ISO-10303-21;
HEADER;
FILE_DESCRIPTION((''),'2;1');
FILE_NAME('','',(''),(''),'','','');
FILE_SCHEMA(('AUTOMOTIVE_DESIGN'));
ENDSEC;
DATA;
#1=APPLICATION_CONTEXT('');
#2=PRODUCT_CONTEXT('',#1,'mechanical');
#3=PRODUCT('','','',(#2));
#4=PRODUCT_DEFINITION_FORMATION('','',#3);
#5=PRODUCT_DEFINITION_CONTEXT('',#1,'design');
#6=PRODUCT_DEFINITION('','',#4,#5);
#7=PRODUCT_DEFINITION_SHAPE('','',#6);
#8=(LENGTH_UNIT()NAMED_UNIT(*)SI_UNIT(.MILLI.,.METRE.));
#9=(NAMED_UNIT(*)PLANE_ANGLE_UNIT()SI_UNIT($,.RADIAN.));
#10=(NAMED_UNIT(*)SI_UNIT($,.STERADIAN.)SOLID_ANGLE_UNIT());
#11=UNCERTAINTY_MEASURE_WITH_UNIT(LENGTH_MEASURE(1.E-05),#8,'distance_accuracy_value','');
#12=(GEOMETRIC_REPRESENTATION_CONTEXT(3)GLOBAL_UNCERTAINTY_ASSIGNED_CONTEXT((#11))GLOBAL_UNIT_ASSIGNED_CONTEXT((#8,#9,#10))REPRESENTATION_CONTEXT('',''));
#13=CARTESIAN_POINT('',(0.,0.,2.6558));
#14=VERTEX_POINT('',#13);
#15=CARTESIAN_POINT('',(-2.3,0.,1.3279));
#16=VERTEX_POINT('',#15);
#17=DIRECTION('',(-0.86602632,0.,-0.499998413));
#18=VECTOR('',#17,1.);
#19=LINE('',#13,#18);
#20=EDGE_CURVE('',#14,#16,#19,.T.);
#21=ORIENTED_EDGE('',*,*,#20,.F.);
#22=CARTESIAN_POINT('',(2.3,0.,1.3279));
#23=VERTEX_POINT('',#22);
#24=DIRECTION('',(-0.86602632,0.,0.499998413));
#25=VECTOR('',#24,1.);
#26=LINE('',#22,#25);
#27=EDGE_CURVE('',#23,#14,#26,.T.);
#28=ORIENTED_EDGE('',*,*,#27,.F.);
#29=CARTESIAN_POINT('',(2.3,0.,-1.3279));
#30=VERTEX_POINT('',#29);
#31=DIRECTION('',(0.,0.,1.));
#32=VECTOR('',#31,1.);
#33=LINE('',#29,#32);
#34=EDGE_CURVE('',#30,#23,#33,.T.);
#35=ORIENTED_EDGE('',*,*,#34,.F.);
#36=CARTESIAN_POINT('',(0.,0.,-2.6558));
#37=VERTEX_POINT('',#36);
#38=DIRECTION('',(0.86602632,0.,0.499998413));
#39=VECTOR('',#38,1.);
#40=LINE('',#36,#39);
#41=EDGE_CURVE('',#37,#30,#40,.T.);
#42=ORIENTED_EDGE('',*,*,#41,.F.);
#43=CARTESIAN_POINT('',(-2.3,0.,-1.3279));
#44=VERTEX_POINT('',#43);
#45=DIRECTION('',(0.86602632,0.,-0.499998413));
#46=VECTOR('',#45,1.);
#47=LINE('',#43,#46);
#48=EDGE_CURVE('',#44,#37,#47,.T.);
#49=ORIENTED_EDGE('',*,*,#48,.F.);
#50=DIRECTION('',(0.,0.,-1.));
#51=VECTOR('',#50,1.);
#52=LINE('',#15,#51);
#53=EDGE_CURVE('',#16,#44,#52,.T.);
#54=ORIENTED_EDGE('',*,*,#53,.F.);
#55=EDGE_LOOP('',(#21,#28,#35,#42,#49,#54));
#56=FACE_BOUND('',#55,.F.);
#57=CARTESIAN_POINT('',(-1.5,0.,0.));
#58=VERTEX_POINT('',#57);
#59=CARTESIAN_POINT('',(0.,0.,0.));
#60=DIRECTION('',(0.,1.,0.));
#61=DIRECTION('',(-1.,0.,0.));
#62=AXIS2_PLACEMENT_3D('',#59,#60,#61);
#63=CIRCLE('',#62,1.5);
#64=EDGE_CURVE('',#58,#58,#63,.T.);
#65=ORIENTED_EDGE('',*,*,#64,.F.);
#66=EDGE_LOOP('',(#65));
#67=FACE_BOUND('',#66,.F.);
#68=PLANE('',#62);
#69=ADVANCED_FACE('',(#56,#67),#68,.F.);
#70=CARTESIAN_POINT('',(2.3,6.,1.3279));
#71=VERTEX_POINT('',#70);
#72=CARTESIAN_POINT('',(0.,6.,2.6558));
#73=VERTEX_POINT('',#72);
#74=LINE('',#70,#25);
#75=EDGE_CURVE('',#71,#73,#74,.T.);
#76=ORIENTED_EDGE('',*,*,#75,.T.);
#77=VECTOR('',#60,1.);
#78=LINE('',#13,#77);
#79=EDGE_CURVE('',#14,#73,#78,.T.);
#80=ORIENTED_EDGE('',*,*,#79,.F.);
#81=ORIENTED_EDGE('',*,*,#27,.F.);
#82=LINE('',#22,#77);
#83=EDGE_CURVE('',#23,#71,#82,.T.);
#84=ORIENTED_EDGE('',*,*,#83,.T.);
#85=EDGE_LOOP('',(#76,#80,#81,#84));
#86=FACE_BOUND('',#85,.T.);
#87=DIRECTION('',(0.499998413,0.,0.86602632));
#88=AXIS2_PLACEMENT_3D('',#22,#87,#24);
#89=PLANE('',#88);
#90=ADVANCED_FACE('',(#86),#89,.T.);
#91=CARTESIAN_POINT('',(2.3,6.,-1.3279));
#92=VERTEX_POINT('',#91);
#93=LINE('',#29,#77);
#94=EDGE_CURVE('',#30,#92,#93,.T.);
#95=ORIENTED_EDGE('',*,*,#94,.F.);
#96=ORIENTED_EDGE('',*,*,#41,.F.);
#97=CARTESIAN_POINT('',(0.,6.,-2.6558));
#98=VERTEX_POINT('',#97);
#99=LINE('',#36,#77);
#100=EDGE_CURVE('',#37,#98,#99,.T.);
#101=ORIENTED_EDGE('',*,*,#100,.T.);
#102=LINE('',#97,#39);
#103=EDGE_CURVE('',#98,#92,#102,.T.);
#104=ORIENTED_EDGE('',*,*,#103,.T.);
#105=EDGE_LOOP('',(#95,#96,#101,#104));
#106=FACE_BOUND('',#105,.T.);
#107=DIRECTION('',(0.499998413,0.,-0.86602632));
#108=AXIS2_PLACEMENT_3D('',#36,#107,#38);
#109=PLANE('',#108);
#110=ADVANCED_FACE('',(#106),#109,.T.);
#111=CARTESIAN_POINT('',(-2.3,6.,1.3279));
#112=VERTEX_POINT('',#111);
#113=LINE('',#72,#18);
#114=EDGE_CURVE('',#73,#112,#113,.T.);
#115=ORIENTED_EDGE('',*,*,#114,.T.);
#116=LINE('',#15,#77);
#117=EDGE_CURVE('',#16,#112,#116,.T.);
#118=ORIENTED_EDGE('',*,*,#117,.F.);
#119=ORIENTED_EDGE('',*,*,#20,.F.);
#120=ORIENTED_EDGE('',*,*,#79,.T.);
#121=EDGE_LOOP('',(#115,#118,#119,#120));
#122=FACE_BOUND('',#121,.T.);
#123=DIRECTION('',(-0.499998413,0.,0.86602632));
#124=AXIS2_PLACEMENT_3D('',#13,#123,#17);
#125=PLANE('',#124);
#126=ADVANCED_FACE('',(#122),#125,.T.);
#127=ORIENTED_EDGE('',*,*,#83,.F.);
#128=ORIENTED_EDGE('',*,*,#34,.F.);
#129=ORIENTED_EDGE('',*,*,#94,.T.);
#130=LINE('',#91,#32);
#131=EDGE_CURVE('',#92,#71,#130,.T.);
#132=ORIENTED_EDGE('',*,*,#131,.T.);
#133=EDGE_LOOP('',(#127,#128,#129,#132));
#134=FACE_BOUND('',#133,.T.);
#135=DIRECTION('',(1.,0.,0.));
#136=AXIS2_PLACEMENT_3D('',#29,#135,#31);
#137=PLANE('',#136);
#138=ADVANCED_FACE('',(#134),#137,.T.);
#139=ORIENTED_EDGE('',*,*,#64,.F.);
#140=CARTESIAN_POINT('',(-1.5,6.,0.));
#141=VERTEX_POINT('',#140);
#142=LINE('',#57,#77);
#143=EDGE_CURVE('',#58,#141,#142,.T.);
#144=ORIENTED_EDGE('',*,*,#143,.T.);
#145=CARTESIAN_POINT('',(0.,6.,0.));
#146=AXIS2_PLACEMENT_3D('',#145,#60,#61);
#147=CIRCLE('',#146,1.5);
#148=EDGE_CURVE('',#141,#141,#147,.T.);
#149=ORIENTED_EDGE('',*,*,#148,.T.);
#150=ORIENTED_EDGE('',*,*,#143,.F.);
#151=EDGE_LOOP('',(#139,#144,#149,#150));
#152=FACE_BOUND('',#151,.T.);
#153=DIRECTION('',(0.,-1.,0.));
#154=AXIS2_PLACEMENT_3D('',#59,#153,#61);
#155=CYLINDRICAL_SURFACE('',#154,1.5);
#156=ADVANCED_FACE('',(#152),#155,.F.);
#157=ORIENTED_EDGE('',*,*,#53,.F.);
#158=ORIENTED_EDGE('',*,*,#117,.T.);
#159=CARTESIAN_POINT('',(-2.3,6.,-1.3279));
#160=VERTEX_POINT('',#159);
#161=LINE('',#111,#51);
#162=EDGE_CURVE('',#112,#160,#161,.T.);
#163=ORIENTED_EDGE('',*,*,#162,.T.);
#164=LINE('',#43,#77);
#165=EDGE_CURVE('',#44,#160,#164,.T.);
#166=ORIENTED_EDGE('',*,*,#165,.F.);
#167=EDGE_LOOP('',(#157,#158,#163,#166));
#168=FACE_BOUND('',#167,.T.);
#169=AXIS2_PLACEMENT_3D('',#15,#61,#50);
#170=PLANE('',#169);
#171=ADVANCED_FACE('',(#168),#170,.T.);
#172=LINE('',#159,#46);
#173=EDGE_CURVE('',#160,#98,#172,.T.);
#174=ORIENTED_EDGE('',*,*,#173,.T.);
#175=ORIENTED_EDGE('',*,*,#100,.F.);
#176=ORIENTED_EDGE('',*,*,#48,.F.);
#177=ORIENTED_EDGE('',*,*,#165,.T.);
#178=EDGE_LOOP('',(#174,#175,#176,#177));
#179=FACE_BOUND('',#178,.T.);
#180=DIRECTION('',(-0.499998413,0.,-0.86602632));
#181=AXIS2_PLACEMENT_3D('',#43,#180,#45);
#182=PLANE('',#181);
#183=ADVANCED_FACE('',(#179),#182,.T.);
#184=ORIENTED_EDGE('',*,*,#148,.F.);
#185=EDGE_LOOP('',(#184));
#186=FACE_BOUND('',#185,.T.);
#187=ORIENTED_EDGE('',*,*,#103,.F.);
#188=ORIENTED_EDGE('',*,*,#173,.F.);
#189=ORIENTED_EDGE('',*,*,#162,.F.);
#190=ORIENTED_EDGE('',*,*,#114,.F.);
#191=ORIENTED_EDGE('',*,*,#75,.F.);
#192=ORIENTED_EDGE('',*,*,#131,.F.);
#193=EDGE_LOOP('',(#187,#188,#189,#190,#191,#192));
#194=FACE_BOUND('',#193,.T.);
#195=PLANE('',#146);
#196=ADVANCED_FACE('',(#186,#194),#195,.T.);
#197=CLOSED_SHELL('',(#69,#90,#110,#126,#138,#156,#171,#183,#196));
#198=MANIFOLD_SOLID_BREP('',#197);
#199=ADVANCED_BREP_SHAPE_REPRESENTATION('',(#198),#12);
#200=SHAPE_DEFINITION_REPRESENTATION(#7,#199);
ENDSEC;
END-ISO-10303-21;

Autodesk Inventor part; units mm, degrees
ref_plane "YZ Plane" through (0, 0, 0) normal (1, 0, 0) x (0, 1, 0)
ref_plane "XZ Plane" through (0, 0, 0) normal (0, 1, 0) x (-1, 0, 0)
ref_plane "XY Plane" through (0, 0, 0) normal (0, 0, 1) x (1, 0, 0)
sketch "Sketch1" plane through (0, 0, 0) normal (0, 1, 0) x (-1, 0, 0)
  line L0 (0, -2.6558) -> (-2.3, -1.3279)
  line L1 (-2.3, -1.3279) -> (-2.3, 1.3279)
  line L2 (-2.3, 1.3279) -> (0, 2.6558)
  line L3 (0, 2.6558) -> (2.3, 1.3279)
  line L4 (2.3, 1.3279) -> (2.3, -1.3279)
  line L5 (2.3, -1.3279) -> (0, -2.6558)
  circle A0 centre (0, 0) radius 1.5
  dimension "d0" = 4.6
  dimension "d1" = 3
extrude "Extrusion1" add sketch "Sketch1" along normal blind 6
properties part number "standoff_20mm" material "Brass, Soft Yellow"
